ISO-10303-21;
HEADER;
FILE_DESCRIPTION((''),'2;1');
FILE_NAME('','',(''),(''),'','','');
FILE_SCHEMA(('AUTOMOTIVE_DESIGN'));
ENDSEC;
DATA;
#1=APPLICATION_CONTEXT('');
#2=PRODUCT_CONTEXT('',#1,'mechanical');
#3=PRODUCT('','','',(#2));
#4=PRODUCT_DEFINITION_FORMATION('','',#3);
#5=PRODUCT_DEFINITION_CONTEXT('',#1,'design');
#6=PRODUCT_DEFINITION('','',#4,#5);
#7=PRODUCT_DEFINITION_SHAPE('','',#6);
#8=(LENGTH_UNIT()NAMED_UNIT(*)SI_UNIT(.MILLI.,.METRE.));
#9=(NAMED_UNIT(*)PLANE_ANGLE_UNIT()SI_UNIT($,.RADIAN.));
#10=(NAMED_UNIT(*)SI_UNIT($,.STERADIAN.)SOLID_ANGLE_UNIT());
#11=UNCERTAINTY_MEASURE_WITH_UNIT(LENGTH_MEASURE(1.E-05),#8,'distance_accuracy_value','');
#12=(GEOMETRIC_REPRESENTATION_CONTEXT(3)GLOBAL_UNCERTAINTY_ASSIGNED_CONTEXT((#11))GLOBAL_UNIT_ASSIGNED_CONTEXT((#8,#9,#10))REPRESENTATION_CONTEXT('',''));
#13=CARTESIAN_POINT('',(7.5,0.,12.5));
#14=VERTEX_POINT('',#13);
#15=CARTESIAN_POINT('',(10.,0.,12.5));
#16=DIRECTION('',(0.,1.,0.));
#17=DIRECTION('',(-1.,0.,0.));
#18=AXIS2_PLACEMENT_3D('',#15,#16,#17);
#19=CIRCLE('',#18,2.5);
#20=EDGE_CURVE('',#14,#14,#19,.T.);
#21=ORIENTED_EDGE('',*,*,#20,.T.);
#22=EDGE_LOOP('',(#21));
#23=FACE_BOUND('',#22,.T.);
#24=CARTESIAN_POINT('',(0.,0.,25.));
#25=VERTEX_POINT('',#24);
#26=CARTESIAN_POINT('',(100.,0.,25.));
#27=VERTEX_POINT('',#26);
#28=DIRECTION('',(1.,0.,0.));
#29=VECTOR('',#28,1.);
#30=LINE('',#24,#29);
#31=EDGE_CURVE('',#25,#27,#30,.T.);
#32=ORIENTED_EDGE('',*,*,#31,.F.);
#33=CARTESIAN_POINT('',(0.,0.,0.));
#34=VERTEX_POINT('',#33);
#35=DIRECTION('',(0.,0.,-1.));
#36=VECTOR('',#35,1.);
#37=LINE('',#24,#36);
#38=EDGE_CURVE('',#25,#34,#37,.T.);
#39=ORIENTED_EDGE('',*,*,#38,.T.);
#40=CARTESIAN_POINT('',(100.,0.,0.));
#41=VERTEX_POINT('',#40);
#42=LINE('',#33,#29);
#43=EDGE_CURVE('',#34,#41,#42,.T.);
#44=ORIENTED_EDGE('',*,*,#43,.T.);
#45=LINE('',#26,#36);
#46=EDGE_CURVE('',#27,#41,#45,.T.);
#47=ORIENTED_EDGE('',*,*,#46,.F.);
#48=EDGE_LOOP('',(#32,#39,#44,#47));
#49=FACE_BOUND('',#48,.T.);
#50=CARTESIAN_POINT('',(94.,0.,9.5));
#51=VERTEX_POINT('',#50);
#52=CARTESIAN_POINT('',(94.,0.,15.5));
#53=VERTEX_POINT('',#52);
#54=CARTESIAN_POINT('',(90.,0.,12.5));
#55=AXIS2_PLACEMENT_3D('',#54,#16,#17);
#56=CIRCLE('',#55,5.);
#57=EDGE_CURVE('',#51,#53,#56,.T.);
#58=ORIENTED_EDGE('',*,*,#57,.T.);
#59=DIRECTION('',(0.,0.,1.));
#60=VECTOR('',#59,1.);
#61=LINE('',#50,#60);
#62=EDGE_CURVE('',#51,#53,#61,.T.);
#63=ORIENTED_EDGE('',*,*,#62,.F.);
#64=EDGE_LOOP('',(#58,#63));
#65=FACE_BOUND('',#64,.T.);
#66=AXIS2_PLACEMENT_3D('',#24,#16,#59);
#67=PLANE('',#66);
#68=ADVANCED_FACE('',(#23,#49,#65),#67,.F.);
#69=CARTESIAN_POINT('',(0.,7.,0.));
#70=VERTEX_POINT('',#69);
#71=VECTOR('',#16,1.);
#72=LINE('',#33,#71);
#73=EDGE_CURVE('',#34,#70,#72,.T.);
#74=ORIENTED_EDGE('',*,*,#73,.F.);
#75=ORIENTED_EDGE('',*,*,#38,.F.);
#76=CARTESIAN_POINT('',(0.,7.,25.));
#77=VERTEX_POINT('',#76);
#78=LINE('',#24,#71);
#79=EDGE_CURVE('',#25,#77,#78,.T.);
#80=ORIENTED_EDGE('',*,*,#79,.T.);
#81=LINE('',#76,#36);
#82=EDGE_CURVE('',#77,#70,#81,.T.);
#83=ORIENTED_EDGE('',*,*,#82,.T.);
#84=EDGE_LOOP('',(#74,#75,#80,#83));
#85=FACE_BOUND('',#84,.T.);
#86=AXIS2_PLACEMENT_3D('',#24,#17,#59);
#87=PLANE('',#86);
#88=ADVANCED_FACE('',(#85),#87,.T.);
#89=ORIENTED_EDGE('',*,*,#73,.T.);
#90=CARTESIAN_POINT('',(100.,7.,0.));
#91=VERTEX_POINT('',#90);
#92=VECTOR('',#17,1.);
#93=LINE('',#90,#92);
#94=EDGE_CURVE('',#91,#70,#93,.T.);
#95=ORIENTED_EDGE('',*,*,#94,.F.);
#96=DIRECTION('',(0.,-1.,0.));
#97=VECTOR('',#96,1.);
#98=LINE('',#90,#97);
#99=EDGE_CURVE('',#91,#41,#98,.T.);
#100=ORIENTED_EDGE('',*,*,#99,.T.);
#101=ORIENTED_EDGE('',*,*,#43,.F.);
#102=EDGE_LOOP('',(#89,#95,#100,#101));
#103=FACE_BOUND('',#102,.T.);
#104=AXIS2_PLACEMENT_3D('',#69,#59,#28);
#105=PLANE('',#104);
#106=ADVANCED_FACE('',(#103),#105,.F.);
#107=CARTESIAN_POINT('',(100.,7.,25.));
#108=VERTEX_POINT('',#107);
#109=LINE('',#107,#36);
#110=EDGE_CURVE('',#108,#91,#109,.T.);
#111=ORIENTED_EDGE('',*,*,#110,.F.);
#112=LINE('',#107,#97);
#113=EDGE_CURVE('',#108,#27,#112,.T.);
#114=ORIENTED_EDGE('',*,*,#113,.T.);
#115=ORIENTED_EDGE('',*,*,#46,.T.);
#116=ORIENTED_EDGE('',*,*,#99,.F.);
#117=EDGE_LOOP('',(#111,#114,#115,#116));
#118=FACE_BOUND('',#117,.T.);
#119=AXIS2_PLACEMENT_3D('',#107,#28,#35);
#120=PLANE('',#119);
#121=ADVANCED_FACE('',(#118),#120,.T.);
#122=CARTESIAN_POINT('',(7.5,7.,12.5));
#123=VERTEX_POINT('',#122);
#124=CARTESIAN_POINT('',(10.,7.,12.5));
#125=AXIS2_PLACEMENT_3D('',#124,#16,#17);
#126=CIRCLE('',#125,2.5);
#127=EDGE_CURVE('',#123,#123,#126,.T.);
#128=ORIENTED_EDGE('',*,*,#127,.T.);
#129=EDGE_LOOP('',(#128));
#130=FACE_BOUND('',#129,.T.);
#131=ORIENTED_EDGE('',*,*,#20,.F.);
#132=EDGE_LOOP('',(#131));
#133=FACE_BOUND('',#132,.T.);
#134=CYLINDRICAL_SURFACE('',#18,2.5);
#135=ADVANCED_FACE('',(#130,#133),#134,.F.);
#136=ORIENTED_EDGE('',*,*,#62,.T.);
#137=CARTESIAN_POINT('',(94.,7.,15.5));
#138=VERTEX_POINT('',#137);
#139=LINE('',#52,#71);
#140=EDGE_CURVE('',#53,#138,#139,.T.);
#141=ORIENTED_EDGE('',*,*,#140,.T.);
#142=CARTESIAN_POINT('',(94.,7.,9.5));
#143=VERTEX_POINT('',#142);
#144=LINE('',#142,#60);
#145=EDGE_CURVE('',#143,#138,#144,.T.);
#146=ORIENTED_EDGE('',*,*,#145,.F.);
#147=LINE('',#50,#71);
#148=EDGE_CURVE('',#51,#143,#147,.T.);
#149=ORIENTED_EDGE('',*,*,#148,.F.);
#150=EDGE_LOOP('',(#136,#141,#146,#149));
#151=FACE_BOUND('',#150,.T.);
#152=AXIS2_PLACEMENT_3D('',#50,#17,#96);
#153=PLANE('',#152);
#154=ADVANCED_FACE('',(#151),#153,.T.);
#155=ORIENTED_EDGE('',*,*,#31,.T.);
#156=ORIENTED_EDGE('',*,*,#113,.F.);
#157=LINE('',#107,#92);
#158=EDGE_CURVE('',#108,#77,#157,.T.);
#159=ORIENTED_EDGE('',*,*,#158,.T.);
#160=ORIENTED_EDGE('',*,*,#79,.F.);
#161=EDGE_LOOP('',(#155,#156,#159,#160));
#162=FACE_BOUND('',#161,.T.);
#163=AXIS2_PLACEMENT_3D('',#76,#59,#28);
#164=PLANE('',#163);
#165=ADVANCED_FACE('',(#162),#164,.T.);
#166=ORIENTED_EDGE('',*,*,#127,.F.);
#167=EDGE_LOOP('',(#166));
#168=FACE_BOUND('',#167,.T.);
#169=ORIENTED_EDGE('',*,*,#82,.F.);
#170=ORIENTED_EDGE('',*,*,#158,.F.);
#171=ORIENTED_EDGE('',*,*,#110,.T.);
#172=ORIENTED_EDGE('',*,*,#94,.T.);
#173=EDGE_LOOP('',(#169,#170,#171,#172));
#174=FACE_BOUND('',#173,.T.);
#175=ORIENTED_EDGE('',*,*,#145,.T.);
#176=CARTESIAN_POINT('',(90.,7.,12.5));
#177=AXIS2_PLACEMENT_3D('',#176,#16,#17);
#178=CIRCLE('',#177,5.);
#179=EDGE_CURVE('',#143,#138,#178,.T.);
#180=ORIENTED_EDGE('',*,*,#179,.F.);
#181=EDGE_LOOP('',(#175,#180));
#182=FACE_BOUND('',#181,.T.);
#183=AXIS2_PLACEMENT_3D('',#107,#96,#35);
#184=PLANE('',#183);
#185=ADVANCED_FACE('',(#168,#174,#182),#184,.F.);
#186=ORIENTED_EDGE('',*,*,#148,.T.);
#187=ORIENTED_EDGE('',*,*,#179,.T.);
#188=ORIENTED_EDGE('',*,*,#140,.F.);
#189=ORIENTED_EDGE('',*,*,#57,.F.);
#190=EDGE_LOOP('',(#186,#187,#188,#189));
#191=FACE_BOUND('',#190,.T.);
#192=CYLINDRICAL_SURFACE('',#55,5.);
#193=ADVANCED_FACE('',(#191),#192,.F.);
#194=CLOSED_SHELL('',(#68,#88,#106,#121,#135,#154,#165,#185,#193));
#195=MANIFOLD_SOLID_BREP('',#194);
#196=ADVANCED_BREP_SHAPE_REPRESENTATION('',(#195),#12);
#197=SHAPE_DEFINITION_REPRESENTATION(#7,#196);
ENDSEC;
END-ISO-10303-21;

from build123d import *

# Parameters (mm, degrees)
SKETCH1_W          = 100
SKETCH1_H          = 7
BASE_EXTRUDE_DEPTH = 25
CUT_EXTRUDE1_DEPTH = 8
SKETCH3_R          = 2.5
CUT_EXTRUDE2_DEPTH = 8


with BuildPart() as part:
    # Sketch1 → Base-Extrude (new body)
    with BuildSketch(Plane.XY):
        with Locations((50, 3.5)):
            Rectangle(SKETCH1_W, SKETCH1_H)
    extrude(amount=BASE_EXTRUDE_DEPTH)

    # Sketch2 → Cut-Extrude1 (cut, through all)
    with BuildSketch(Plane(origin=(0, 7, 0), x_dir=(-1, 0, 0), z_dir=(0, 1, 0))):
        with BuildLine():
            Line((-94, 9.5), (-94, 15.5))
            ThreePointArc((-94, 15.5), (-85, 12.5), (-94, 9.5))
        make_face()
    extrude(amount=-CUT_EXTRUDE1_DEPTH, mode=Mode.SUBTRACT)

    # Sketch3 → Cut-Extrude2 (cut, through all)
    with BuildSketch(Plane(origin=(0, 7, 0), x_dir=(-1, 0, 0), z_dir=(0, 1, 0))):
        with Locations((-10, 12.5)):
            Circle(SKETCH3_R)
    extrude(amount=-CUT_EXTRUDE2_DEPTH, mode=Mode.SUBTRACT)


solid = part.part
